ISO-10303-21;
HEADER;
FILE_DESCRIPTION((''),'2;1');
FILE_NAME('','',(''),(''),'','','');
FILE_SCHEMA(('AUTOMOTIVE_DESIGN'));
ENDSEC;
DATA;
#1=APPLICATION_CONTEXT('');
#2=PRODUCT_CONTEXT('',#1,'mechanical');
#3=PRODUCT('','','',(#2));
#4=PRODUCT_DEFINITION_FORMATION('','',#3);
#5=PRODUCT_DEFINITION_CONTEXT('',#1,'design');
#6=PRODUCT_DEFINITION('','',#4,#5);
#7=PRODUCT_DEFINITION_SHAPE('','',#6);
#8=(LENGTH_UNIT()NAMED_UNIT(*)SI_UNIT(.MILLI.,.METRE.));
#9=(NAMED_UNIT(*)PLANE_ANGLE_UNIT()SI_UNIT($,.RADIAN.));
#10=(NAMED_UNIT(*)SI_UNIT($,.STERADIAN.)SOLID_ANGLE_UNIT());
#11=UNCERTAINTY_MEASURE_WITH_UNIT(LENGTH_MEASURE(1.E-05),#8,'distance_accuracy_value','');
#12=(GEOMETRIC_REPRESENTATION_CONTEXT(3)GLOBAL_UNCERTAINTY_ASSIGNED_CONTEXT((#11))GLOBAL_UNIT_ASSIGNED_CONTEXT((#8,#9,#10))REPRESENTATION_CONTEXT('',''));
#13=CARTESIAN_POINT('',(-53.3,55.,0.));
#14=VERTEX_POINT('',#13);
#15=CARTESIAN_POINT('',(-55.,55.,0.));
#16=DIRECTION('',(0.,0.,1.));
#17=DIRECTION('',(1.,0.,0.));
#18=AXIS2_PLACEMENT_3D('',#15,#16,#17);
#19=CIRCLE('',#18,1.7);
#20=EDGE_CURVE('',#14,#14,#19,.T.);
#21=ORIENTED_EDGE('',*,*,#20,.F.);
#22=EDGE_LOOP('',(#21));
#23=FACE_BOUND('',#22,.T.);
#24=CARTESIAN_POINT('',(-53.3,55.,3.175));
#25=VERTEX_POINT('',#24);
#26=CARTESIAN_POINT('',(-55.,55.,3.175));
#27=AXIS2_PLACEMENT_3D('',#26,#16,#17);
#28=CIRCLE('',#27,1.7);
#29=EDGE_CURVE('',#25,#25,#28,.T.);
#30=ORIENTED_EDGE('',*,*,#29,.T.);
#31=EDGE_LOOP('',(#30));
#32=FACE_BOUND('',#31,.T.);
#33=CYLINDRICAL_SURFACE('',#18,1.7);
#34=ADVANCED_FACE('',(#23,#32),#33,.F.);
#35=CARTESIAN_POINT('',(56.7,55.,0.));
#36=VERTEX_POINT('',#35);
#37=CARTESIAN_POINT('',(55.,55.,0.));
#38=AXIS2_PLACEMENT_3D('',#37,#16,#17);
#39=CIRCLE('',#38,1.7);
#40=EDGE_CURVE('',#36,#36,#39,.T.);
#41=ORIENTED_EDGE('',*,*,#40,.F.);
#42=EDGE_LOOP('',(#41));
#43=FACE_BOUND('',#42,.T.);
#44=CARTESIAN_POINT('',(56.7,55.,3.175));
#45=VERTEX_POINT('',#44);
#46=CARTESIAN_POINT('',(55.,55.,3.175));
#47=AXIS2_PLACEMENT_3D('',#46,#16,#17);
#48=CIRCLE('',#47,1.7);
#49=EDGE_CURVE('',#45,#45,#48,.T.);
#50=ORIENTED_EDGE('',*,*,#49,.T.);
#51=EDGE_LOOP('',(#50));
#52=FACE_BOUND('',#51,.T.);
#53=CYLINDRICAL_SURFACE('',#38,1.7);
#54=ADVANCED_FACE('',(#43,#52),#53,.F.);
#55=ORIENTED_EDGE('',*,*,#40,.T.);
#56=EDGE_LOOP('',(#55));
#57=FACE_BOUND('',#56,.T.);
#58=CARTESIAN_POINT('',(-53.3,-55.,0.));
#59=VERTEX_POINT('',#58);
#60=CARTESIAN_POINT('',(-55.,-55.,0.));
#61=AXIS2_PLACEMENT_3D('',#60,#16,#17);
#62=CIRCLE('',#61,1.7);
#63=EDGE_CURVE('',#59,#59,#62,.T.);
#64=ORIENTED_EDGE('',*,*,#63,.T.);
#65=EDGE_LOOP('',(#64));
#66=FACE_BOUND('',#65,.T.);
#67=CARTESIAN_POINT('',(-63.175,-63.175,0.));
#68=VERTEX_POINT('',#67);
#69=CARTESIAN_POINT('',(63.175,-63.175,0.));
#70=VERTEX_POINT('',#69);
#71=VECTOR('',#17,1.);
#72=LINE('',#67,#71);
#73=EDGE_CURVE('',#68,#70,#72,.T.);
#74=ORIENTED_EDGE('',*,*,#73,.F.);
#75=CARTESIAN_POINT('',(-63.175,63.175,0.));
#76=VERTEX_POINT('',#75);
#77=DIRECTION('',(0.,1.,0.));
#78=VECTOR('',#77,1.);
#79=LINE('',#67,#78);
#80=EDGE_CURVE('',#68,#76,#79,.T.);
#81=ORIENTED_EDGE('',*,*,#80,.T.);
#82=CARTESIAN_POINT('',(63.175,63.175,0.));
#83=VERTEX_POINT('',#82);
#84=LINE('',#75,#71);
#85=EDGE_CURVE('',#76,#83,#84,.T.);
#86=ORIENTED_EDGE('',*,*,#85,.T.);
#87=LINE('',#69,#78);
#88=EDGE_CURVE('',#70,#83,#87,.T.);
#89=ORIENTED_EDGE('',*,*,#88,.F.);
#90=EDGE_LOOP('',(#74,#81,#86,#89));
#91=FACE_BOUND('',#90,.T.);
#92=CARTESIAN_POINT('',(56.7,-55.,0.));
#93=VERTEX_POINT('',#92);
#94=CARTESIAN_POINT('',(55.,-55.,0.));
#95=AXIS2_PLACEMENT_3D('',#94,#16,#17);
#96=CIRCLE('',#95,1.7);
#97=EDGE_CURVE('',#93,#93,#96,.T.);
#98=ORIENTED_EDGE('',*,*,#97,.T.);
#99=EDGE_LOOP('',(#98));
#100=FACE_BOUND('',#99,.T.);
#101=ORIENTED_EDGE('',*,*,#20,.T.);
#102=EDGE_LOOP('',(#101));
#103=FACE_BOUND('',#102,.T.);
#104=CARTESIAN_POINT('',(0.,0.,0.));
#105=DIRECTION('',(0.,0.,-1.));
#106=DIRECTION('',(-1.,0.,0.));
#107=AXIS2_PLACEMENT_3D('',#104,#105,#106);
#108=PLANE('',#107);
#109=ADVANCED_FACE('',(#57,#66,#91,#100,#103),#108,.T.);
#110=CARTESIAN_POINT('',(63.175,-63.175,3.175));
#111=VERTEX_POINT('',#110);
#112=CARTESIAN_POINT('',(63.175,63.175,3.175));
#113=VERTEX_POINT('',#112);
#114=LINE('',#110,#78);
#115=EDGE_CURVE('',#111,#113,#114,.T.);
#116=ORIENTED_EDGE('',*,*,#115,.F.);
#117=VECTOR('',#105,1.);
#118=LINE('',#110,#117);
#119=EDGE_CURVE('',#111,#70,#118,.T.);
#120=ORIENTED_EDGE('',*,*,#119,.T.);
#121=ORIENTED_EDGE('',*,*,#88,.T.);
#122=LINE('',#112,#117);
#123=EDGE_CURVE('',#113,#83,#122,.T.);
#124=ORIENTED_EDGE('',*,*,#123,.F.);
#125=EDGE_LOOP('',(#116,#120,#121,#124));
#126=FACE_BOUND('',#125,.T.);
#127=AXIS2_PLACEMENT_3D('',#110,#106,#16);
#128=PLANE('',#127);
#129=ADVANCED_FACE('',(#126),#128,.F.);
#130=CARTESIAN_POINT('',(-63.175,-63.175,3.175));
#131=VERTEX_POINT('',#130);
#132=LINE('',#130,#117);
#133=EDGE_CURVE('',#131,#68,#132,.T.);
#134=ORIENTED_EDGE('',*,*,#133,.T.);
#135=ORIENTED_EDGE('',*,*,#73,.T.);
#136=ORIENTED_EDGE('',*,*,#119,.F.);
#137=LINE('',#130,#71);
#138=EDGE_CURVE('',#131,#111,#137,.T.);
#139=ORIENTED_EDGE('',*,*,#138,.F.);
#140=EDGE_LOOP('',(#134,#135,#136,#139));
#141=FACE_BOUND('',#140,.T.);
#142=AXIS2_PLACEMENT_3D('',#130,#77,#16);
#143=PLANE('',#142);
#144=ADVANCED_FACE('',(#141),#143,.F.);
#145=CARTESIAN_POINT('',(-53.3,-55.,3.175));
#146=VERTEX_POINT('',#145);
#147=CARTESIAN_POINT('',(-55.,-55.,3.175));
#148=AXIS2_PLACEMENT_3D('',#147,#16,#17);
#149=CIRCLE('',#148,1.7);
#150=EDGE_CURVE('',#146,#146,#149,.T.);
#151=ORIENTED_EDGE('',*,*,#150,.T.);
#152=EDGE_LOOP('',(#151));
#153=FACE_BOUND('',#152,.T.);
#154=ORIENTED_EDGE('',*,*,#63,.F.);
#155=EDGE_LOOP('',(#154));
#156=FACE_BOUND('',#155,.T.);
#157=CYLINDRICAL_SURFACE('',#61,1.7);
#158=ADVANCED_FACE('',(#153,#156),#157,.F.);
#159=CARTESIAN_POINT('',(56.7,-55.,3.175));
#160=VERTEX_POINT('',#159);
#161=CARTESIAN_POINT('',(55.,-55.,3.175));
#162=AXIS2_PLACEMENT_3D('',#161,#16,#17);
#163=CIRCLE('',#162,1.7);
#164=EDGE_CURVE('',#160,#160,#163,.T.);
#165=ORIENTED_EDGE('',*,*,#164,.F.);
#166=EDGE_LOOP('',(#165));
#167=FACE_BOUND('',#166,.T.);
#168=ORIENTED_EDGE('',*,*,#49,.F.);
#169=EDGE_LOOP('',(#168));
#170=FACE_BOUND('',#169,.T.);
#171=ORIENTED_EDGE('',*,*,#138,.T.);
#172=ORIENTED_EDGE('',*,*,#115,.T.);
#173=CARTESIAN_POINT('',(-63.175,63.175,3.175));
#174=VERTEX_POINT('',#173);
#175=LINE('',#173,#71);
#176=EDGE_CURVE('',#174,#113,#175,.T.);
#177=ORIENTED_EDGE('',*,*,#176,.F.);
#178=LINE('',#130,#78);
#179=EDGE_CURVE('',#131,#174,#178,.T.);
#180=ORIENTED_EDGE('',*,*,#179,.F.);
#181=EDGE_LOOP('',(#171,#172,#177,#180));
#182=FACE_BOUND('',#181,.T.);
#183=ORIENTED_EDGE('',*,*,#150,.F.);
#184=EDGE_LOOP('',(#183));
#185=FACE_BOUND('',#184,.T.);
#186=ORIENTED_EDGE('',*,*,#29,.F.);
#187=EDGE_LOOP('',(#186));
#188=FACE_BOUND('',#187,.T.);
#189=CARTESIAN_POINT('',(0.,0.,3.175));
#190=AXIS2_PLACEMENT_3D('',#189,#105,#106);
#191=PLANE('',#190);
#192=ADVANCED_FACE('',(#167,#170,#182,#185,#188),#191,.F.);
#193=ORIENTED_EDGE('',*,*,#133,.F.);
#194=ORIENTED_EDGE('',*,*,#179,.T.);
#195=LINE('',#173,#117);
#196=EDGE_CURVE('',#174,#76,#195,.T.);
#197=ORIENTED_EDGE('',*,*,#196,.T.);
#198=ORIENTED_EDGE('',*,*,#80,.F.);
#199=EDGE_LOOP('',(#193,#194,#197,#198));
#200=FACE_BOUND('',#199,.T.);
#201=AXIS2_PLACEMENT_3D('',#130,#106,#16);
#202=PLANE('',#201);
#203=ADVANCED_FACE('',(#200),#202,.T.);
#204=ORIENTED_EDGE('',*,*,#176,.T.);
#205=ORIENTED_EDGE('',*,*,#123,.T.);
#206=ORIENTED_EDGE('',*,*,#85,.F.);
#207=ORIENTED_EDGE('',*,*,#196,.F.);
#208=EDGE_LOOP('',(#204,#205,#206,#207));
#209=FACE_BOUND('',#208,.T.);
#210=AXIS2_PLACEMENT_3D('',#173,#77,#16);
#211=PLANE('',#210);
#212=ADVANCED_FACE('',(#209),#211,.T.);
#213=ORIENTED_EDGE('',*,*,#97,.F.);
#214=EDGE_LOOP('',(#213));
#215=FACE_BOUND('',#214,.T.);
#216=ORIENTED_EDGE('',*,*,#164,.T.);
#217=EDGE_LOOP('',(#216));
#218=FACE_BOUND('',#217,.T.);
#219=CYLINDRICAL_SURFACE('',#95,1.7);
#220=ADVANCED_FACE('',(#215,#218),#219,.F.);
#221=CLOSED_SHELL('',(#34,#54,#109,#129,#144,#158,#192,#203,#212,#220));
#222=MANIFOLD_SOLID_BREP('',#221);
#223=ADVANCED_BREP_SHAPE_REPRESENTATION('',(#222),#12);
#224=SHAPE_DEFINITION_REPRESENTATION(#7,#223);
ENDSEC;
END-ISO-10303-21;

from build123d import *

# Parameters (mm, degrees)
SKETCH1_W           = 126.35
SKETCH1_H           = 126.35
BOSS_EXTRUDE1_DEPTH = 3.175
SKETCH3_R           = 1.7
CUT_EXTRUDE2_DEPTH  = 3.175


with BuildPart() as part:
    # Sketch1 → Boss-Extrude1 (new body)
    with BuildSketch(Plane.XY):
        Rectangle(SKETCH1_W, SKETCH1_H)
    extrude(amount=BOSS_EXTRUDE1_DEPTH)

    # Sketch3 → Cut-Extrude2 (cut)
    with BuildSketch(Plane(origin=(-17.047760395, -31.681970197, 3.175), x_dir=(1, 0, 0), z_dir=(0, 0, 1))):
        with Locations((-37.952239605, 86.681970197)):
            Circle(SKETCH3_R)
        with Locations((-37.952239605, -23.318029803)):
            Circle(SKETCH3_R)
        with Locations((72.047760395, -23.318029803)):
            Circle(SKETCH3_R)
        with Locations((72.047760395, 86.681970197)):
            Circle(SKETCH3_R)
    extrude(amount=-CUT_EXTRUDE2_DEPTH, mode=Mode.SUBTRACT)


solid = part.part
